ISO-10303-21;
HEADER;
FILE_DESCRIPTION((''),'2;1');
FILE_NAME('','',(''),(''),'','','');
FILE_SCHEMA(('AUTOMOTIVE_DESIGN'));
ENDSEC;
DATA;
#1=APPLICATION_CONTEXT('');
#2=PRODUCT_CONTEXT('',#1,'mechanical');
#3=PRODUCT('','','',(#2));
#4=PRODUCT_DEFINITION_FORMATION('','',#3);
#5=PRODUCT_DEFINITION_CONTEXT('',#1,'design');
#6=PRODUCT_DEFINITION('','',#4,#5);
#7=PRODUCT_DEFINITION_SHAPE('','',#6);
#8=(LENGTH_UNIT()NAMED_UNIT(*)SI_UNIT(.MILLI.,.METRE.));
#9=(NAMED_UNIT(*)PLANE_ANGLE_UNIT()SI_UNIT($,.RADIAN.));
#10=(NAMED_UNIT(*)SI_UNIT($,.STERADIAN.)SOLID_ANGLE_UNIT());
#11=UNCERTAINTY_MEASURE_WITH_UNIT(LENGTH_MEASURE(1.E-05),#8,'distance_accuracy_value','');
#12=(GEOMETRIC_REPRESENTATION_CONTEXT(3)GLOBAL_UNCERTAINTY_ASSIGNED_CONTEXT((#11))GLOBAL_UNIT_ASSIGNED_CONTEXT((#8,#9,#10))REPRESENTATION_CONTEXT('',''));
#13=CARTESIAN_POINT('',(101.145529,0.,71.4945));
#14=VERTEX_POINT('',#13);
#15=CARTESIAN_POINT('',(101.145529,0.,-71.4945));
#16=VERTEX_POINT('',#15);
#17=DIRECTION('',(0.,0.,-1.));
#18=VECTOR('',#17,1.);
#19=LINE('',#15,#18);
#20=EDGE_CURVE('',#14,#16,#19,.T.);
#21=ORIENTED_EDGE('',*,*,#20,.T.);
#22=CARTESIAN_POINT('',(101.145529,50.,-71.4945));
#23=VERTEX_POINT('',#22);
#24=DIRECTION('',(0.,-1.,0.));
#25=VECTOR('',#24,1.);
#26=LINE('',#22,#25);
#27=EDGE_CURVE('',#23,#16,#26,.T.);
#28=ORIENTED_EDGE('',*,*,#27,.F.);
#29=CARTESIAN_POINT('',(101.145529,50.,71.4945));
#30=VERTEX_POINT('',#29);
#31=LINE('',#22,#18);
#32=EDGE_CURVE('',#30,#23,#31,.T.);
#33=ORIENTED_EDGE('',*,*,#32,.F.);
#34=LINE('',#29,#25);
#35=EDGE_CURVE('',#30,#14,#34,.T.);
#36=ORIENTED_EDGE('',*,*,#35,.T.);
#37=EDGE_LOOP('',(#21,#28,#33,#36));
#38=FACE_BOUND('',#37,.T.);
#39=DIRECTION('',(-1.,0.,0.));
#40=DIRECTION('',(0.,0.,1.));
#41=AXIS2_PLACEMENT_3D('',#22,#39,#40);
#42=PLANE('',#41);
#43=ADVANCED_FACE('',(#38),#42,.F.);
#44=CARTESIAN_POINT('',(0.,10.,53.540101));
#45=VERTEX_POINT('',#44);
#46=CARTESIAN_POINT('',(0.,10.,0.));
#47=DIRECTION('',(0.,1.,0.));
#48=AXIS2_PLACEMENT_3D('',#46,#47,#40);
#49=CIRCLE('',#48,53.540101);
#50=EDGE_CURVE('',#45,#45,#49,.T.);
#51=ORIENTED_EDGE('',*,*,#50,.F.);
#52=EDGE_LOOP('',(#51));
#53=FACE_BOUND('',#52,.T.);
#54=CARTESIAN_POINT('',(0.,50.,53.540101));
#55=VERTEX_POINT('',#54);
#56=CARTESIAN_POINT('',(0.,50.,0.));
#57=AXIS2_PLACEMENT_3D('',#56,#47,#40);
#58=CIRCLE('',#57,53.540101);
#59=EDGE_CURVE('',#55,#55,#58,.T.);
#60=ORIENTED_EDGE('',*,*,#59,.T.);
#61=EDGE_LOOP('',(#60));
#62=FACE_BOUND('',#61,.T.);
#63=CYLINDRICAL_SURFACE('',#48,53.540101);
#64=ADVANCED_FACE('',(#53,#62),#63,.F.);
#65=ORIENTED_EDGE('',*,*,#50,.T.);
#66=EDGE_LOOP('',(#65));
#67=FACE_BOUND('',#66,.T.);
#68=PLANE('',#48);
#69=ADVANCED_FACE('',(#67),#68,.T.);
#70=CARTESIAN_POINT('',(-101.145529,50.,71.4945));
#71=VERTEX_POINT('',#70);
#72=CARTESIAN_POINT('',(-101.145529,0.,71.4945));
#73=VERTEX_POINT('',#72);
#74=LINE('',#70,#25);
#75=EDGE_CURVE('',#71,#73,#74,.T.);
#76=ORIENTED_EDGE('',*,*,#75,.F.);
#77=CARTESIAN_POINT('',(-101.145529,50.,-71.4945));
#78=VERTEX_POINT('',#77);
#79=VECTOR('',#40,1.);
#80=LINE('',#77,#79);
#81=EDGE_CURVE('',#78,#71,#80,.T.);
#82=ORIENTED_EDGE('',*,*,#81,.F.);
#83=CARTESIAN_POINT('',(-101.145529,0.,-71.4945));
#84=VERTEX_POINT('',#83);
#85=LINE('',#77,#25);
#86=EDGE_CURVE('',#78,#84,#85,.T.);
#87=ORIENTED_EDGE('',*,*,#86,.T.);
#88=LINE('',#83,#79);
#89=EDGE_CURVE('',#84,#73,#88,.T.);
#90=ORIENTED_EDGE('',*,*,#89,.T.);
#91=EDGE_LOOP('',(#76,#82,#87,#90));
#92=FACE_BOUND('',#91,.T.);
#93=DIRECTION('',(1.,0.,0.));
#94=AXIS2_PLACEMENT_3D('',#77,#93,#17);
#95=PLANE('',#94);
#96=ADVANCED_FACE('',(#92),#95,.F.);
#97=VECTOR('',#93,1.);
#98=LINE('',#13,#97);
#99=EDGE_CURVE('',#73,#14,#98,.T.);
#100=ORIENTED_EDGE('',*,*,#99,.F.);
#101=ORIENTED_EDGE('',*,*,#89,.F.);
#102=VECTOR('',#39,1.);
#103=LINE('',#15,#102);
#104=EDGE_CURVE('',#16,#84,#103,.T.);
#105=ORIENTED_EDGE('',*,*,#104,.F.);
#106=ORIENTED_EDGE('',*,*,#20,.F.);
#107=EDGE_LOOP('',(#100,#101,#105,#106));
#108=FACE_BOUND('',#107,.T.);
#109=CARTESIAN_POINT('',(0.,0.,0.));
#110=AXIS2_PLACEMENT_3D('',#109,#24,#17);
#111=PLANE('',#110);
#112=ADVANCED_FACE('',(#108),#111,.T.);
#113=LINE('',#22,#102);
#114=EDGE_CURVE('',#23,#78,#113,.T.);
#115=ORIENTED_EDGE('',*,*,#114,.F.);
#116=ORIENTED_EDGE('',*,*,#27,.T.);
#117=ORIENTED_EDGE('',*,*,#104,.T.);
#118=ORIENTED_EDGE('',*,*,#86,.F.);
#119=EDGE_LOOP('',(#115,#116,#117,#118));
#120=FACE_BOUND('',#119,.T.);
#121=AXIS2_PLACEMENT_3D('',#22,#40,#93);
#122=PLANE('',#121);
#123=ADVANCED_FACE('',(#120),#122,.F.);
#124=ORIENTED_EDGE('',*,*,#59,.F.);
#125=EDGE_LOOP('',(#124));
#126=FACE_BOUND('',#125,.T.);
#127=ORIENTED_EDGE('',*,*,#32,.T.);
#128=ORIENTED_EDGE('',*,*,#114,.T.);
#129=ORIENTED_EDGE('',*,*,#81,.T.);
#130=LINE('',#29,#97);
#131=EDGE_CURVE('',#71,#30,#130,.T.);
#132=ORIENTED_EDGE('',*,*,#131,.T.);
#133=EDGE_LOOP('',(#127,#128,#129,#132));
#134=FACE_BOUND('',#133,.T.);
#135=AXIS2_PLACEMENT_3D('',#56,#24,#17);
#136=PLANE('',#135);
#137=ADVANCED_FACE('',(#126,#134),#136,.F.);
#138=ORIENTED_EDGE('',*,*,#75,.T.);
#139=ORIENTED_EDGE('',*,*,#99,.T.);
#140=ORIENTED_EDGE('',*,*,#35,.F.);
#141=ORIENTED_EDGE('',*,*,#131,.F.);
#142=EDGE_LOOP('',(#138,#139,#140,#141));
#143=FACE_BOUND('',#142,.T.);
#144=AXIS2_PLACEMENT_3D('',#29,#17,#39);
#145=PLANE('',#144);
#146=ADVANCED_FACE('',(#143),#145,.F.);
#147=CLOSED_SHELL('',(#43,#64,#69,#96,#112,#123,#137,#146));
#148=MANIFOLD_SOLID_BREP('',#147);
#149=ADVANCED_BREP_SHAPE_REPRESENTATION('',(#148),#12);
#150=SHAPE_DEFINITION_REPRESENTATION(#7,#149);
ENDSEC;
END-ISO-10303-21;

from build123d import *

# Parameters (mm, degrees)
SKETCH2_W           = 202.291057074
SKETCH2_H           = 142.989
BOSS_EXTRUDE2_DEPTH = 50
SKETCH3_R           = 53.540101
CUT_EXTRUDE2_DEPTH  = 40


with BuildPart() as part:
    # Sketch2 → Boss-Extrude2 (new body)
    with BuildSketch(Plane(origin=(0, 0, 0), x_dir=(1, 0, 0), z_dir=(0, 1, 0))):
        Rectangle(SKETCH2_W, SKETCH2_H)
    extrude(amount=BOSS_EXTRUDE2_DEPTH)

    # Sketch3 → Cut-Extrude2 (cut)
    with BuildSketch(Plane(origin=(0, 50, -33.697674061), x_dir=(1, 0, 0), z_dir=(0, 1, 0))):
        with Locations((0, -33.697674061)):
            Circle(SKETCH3_R)
    extrude(amount=-CUT_EXTRUDE2_DEPTH, mode=Mode.SUBTRACT)


solid = part.part
